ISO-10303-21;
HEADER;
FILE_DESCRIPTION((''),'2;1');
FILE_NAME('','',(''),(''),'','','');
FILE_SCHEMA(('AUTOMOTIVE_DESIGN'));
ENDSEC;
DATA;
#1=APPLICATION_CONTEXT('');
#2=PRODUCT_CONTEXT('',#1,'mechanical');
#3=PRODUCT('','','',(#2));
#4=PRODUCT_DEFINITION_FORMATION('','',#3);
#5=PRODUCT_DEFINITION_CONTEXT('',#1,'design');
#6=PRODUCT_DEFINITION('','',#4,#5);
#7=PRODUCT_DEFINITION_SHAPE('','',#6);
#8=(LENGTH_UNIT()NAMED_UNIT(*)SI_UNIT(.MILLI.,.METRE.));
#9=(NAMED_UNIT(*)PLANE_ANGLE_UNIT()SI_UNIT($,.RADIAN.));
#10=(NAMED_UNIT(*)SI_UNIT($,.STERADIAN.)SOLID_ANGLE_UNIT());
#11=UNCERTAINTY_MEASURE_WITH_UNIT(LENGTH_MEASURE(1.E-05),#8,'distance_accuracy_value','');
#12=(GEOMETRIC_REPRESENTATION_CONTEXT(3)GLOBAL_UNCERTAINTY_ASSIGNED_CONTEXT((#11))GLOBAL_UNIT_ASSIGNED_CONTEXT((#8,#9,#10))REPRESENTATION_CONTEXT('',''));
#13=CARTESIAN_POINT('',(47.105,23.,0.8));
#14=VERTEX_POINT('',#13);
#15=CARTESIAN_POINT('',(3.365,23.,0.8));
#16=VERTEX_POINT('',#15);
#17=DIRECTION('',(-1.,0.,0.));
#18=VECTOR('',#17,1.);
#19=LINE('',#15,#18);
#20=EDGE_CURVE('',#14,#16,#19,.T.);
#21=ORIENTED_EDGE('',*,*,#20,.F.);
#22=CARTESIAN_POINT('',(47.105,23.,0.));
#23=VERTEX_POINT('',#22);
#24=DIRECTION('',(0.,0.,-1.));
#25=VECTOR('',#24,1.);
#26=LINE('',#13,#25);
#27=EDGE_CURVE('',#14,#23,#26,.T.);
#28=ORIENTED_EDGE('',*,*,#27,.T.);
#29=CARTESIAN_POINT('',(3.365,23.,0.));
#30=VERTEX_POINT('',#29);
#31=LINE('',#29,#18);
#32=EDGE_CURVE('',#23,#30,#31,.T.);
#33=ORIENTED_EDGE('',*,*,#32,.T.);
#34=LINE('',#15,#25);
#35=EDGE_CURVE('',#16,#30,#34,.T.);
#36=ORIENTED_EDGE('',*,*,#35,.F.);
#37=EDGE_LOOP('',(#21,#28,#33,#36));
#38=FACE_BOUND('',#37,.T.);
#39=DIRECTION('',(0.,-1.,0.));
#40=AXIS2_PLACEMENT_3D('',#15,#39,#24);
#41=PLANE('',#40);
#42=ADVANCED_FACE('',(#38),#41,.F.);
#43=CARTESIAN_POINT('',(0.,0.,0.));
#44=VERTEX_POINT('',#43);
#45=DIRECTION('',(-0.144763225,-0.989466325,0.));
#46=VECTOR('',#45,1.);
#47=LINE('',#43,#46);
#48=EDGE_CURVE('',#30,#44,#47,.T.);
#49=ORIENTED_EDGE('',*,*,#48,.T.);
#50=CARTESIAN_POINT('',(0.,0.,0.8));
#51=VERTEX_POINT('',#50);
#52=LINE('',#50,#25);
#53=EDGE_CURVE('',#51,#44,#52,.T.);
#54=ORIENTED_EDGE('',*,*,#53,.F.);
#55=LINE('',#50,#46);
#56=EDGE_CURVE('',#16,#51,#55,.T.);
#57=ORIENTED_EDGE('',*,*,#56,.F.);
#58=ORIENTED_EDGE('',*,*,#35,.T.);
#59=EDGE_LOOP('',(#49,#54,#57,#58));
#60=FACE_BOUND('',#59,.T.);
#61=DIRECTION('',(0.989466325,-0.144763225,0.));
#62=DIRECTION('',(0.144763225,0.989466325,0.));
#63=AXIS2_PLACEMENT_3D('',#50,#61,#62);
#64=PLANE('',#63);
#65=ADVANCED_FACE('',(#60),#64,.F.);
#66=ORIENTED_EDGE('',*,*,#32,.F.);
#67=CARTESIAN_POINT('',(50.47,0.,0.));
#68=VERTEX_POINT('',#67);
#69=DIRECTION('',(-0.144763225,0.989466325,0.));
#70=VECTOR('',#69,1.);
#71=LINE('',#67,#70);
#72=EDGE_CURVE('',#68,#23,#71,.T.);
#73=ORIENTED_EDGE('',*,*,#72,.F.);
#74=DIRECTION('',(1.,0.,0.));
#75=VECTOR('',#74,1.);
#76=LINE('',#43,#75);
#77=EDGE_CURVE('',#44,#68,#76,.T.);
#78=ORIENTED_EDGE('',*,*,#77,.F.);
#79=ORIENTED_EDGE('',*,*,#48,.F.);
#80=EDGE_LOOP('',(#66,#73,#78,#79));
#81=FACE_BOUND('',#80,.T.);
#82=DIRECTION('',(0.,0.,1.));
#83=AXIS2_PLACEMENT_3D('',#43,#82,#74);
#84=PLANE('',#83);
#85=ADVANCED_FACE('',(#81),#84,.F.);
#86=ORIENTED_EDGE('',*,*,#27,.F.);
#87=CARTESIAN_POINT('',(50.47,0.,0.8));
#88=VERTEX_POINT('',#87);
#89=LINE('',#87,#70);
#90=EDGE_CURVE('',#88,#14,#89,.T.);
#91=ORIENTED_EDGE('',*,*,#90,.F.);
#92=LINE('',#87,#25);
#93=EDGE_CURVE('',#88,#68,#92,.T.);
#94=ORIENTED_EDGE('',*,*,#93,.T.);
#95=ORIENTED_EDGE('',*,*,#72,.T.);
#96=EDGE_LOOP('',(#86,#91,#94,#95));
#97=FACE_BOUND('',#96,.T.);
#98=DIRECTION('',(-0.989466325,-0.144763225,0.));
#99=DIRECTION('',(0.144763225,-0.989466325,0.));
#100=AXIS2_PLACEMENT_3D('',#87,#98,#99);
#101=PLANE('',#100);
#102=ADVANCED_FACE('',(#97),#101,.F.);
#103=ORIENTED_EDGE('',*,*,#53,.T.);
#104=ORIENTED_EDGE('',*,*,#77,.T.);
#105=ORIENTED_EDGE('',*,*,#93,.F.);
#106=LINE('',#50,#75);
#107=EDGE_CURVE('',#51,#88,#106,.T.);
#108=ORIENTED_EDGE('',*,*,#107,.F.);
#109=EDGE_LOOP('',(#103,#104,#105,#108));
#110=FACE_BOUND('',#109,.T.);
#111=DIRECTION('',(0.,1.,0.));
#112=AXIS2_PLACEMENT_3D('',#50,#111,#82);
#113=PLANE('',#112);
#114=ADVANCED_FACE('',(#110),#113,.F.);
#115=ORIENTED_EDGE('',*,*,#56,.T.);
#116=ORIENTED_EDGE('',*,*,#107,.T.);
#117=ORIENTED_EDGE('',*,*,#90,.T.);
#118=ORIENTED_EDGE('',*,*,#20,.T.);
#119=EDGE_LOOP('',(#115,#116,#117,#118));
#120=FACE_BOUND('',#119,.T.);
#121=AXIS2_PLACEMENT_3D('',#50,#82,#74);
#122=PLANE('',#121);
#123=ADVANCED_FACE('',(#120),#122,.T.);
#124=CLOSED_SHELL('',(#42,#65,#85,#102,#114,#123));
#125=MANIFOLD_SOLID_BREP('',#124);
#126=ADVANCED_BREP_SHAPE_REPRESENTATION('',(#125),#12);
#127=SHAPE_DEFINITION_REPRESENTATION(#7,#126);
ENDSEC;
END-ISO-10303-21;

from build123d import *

# Parameters (mm, degrees)
BOSS_EXTRUDE1_DEPTH = 0.8


with BuildPart() as part:
    # Sketch1 → Boss-Extrude1 (new body)
    with BuildSketch(Plane.XY):
        Polygon((0, 0), (3.365, 23), (47.105, 23), (50.47, 0), align=None)
    extrude(amount=BOSS_EXTRUDE1_DEPTH)


solid = part.part
